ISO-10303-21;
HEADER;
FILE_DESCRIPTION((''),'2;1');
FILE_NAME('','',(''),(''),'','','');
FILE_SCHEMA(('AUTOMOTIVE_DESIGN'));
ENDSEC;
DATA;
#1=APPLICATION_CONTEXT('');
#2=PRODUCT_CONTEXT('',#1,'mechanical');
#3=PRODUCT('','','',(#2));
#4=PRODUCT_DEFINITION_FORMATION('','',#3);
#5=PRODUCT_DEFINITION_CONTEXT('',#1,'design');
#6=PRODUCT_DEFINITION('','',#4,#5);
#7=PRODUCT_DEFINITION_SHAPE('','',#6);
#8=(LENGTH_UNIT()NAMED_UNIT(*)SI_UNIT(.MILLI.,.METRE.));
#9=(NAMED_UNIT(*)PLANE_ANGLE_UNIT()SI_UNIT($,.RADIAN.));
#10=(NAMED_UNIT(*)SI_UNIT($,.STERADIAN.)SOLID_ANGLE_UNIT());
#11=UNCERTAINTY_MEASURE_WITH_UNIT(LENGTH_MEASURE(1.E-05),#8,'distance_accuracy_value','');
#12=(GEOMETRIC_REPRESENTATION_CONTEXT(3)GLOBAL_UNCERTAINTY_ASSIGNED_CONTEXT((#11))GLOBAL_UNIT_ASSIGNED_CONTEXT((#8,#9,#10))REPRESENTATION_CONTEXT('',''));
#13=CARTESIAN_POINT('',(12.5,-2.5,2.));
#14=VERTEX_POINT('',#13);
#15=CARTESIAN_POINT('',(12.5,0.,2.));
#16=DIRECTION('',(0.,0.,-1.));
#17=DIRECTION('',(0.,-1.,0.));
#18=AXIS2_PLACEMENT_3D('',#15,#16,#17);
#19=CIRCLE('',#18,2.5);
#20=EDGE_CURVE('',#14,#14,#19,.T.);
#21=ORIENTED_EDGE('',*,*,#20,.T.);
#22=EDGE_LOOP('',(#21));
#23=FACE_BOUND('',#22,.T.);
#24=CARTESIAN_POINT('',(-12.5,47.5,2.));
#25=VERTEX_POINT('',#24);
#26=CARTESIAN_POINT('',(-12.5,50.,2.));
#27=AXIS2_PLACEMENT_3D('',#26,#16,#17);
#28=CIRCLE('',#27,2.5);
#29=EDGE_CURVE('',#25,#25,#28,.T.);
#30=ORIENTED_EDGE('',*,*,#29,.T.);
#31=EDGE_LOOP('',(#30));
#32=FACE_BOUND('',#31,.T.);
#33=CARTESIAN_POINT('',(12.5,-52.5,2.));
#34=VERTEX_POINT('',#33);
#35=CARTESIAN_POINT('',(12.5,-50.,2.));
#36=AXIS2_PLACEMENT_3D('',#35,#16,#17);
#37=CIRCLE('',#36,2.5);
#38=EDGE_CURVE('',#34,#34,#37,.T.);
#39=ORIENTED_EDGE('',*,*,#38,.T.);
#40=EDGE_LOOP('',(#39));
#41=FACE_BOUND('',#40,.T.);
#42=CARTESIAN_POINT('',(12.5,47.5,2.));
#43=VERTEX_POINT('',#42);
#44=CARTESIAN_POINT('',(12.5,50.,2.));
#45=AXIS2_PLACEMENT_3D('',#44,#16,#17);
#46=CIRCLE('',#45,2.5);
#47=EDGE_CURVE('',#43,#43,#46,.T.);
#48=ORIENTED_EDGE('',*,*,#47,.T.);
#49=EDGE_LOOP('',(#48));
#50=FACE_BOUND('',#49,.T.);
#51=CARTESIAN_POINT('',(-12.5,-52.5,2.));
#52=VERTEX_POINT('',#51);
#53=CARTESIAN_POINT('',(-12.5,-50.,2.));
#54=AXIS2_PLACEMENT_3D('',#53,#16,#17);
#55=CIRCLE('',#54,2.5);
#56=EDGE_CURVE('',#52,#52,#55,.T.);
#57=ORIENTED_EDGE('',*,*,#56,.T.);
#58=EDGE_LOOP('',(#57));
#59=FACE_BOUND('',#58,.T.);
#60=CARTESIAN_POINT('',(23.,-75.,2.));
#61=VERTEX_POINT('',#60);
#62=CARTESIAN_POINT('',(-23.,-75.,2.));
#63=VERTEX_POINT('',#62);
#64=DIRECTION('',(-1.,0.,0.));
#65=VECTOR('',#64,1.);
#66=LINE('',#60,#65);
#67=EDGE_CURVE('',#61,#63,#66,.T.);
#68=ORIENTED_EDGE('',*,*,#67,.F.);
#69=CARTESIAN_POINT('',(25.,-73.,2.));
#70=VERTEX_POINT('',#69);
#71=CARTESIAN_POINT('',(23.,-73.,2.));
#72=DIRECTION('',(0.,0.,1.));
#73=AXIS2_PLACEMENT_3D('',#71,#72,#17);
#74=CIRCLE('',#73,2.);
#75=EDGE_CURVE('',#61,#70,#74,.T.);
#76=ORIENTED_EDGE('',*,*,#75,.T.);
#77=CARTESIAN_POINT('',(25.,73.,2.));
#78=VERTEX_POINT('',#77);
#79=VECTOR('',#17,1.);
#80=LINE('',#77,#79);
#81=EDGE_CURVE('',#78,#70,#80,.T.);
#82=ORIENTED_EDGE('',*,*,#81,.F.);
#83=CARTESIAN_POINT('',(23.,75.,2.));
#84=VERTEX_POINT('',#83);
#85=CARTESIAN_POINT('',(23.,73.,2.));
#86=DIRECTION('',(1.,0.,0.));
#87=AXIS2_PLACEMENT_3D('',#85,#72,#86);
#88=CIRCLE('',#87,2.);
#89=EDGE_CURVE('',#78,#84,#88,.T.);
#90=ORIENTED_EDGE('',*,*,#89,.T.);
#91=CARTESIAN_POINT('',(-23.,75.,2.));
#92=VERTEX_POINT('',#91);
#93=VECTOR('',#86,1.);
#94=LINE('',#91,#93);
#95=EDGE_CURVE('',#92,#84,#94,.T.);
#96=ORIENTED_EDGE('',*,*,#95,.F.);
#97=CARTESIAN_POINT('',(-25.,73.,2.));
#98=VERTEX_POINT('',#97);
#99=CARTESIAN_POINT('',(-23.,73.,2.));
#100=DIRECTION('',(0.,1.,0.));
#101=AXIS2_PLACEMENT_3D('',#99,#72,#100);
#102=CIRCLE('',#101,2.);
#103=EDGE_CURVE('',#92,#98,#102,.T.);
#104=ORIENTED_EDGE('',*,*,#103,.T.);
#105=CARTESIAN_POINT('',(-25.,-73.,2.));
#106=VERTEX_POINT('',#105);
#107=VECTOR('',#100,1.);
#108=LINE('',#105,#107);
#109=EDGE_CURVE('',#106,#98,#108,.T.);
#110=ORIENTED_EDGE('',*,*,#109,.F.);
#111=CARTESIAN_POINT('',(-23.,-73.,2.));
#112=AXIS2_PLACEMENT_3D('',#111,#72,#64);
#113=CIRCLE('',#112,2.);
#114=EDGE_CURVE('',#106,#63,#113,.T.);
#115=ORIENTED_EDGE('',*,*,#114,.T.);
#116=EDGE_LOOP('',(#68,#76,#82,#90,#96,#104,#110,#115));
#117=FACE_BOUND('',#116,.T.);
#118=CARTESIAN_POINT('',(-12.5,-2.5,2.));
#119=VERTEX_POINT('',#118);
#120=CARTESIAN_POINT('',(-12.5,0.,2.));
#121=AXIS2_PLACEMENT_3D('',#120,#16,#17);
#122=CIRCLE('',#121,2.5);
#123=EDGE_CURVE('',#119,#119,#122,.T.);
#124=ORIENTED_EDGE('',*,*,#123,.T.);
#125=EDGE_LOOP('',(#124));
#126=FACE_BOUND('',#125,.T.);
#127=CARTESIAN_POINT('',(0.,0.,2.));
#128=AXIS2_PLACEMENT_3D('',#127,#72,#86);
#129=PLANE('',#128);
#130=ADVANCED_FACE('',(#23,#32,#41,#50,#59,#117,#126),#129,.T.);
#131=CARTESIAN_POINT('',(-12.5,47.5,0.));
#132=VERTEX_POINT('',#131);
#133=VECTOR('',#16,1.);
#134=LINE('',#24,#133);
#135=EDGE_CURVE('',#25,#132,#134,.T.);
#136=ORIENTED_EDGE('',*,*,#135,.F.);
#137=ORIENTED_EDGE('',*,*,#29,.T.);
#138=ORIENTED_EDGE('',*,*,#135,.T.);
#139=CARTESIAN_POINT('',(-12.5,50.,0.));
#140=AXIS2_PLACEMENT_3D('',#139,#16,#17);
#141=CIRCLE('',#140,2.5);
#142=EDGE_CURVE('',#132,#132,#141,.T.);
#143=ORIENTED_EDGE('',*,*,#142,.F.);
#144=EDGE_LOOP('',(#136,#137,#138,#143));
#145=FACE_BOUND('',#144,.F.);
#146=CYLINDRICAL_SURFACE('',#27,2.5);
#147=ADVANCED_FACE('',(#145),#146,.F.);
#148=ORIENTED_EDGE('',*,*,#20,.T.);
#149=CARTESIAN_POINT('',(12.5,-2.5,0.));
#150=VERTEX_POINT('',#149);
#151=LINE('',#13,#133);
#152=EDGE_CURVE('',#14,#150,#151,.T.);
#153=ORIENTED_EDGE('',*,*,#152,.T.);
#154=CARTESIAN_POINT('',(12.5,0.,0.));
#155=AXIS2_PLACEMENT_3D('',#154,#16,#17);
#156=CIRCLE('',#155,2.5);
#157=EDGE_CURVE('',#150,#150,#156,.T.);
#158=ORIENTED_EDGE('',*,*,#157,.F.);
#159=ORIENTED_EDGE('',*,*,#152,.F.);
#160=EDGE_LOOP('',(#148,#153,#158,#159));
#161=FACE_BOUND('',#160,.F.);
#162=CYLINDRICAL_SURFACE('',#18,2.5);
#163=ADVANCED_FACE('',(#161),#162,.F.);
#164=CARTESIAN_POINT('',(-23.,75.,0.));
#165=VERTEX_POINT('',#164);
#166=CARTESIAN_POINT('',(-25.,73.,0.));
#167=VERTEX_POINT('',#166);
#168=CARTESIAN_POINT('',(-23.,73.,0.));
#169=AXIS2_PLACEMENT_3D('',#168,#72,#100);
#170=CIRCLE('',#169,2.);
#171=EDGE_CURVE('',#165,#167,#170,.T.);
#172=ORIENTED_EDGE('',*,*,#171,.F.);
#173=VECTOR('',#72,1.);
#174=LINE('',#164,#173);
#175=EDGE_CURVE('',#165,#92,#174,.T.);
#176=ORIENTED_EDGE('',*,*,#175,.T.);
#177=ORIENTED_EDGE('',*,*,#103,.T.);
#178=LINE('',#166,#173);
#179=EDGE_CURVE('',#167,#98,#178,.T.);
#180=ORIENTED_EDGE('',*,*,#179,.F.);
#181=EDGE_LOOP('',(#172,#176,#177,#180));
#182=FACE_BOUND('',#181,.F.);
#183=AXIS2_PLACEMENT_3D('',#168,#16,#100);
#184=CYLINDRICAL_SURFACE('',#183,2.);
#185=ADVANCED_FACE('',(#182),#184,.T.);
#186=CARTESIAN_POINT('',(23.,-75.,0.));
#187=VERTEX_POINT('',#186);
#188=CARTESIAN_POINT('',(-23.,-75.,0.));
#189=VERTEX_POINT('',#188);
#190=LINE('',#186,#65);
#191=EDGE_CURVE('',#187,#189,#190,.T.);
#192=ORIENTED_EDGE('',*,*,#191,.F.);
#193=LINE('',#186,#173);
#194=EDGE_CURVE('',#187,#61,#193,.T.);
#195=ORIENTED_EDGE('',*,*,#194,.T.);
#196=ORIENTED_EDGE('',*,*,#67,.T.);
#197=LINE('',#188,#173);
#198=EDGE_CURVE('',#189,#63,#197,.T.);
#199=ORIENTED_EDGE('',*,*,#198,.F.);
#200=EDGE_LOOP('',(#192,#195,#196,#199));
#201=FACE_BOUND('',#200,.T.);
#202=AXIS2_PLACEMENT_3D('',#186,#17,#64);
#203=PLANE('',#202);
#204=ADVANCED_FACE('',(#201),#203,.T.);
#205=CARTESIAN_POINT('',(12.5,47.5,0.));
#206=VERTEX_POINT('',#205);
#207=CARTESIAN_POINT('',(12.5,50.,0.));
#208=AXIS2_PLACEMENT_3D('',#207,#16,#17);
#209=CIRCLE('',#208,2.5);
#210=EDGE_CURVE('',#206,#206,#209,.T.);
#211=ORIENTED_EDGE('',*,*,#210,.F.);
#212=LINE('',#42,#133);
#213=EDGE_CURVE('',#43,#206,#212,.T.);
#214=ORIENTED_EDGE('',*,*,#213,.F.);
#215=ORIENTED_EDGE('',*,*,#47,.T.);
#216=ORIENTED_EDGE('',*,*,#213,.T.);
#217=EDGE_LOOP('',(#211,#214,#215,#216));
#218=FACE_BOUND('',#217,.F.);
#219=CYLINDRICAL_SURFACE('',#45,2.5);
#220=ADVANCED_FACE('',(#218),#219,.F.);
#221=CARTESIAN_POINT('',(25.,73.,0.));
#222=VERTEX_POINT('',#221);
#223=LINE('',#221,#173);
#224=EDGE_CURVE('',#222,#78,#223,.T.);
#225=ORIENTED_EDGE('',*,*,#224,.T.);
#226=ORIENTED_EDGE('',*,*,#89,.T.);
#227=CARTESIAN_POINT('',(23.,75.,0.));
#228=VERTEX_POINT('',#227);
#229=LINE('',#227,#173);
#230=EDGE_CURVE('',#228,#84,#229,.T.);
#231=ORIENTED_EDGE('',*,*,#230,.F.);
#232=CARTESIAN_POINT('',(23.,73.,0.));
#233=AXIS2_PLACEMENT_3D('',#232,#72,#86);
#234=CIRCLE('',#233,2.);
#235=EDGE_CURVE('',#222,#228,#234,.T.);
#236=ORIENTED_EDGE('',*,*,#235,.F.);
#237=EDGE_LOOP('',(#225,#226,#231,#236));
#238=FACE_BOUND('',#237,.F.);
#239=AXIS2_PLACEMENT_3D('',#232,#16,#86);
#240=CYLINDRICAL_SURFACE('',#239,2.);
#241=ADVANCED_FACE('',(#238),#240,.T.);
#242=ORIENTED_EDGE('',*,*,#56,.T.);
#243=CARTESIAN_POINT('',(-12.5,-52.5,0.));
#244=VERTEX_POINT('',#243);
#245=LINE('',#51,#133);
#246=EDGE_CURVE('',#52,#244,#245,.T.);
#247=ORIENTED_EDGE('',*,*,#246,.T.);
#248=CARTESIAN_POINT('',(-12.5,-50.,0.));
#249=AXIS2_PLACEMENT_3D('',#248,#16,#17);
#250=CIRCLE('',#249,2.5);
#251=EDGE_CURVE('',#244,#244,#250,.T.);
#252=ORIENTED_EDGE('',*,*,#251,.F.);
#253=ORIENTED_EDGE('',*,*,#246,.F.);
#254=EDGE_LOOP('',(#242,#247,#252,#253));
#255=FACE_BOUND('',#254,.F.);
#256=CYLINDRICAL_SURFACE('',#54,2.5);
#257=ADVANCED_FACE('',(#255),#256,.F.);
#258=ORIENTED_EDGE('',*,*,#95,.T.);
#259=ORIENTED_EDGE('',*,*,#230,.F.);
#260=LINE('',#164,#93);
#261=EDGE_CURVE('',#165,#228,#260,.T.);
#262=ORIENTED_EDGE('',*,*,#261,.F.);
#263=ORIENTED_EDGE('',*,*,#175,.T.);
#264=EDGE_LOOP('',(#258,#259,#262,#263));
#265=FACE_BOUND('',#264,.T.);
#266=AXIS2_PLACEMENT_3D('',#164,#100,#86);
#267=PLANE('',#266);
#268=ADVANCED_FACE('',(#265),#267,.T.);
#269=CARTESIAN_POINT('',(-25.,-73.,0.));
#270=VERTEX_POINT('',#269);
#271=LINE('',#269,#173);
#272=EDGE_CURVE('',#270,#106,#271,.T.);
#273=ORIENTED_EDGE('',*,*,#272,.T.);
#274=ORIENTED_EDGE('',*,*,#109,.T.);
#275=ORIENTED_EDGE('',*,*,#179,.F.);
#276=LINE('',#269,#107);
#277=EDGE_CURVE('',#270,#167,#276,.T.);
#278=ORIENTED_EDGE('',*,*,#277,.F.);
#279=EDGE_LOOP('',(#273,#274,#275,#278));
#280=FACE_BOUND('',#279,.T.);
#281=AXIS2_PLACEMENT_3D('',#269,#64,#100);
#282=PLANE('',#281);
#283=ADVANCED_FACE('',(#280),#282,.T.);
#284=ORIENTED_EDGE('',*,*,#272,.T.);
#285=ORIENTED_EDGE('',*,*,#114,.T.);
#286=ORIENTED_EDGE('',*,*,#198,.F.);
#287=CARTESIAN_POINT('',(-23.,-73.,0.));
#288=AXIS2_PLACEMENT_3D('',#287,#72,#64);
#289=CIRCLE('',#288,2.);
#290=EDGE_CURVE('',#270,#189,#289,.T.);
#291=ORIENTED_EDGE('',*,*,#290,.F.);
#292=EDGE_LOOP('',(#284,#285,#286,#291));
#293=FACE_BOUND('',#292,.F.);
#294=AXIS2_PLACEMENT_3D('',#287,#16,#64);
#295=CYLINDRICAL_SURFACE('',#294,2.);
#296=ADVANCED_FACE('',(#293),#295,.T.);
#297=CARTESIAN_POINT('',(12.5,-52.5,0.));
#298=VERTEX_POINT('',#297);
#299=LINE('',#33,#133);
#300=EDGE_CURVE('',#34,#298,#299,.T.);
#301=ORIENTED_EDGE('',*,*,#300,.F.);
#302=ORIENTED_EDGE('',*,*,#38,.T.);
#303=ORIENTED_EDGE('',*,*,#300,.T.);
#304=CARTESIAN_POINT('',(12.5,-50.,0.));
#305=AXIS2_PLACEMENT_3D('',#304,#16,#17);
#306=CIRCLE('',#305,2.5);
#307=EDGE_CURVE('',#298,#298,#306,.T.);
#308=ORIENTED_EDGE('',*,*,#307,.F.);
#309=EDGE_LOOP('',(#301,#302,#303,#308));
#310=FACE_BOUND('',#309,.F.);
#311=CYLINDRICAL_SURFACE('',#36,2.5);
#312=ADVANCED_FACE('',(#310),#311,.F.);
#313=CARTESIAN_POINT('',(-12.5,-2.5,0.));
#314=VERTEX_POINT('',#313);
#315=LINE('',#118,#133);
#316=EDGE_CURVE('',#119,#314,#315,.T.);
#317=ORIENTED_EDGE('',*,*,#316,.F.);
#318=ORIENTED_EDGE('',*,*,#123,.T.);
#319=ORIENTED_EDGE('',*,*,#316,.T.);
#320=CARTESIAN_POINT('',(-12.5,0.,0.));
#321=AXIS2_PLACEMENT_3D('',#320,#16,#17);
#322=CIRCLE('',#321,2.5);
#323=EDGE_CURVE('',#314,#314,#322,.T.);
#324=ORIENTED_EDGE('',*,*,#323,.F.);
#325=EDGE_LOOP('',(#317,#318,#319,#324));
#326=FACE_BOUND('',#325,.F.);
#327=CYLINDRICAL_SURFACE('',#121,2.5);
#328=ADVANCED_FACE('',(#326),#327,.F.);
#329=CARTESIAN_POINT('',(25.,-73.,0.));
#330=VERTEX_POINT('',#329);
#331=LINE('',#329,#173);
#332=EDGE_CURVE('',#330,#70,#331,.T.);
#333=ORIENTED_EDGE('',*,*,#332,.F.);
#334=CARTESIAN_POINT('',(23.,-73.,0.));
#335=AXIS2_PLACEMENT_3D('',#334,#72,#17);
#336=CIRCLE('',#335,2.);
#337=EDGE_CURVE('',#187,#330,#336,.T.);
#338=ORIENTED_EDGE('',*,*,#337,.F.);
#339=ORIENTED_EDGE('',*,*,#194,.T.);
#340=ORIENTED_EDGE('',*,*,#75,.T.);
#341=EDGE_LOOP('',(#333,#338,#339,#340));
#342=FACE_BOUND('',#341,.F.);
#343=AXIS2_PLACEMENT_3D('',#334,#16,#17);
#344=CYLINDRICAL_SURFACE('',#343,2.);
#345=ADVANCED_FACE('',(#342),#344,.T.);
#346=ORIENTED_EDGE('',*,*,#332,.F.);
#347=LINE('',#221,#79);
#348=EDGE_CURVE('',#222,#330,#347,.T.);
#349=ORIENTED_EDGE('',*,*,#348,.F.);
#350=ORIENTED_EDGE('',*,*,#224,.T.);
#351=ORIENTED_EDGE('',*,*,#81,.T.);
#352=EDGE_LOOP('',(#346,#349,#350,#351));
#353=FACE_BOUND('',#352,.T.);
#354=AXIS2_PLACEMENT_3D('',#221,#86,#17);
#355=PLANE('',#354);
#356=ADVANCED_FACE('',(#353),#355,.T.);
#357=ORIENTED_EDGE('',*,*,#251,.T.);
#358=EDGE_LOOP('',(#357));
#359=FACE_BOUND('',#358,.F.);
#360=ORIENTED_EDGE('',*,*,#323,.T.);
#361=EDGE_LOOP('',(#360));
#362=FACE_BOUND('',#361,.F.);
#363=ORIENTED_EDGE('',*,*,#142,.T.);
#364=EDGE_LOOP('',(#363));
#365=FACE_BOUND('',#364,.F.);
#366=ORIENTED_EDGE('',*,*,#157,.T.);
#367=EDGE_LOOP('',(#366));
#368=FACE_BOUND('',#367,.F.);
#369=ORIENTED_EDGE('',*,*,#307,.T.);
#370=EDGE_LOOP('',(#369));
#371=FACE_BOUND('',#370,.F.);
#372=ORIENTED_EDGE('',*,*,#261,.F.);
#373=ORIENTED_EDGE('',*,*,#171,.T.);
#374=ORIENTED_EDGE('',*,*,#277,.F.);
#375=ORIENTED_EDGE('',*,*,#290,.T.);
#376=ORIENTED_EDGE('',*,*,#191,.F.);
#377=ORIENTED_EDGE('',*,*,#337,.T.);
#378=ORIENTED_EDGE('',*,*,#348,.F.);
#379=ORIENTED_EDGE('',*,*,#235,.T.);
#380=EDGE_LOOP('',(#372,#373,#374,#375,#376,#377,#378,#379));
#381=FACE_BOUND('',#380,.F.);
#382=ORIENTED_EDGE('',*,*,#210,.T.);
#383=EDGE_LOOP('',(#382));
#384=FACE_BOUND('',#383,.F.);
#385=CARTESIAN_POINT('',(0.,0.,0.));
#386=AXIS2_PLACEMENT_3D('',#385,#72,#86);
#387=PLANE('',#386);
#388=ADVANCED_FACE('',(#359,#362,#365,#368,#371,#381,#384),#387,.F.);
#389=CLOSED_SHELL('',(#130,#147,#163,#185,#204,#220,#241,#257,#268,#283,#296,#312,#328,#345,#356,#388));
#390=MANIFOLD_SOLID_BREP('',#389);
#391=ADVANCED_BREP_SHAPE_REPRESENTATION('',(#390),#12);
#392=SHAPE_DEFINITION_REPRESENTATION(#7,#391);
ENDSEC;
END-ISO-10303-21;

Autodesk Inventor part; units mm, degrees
ref_plane "YZ Plane" through (0, 0, 0) normal (1, 0, 0) x (0, 1, 0)
ref_plane "XZ Plane" through (0, 0, 0) normal (0, 1, 0) x (-1, 0, 0)
ref_plane "XY Plane" through (0, 0, 0) normal (0, 0, 1) x (1, 0, 0)
sketch "Sketch1" plane through (0, 0, 0) normal (0, 0, 1) x (1, 0, 0)
  line L0 (-23, 75) -> (23, 75)
  line L1 (25, 73) -> (25, -73)
  line L2 (23, -75) -> (-23, -75)
  line L3 (-25, -73) -> (-25, 73)
  arc A0 (-23, 75) -> (-25, 73) centre (-23, 73) ccw
  arc A1 (25, 73) -> (23, 75) centre (23, 73) ccw
  arc A2 (23, -75) -> (25, -73) centre (23, -73) ccw
  arc A3 (-25, -73) -> (-23, -75) centre (-23, -73) ccw
  point P0 (0, 0)
  point P1 (-25, 75)
  point P2 (25, 75)
  point P3 (-25, -75)
  point P4 (-25, 0)
  dimension "d0" = 50
  dimension "d1" = 150
  dimension "d2" = 25
  dimension "d3" = 75
  dimension "d4" = 2
  dimension "d5" = 2
  dimension "d6" = 2
  dimension "d7" = 2
extrude "Extrusion1" add sketch "Sketch1" along normal blind 2
sketch "Sketch2" plane through (0, 0, 2) normal (0, 0, 1) x (1, 0, 0)
  line L0 (-64, 0) -> (59, 0)
  line L1 (0, 89) -> (0, -64)
  line L2 (-25, 73) -> (-25, -73) projected
  line L3 (23, 75) -> (-23, 75) projected
  point P0 (0, 0)
  point P1 (-12.5, 50)
  point P2 (-12.5, 0)
  point P3 (-12.5, -50)
  point P4 (12.5, 50)
  point P5 (12.5, 0)
  point P6 (12.5, -50)
  dimension "d12" = 50
  dimension "d15" = 25
  dimension "d18" = 12.5
  dimension "d19" = 25
hole "Hole1" at (-12.5, 50, 2) at (-12.5, 0, 2) at (-12.5, -50, 2) at (12.5, 50, 2) at (12.5, 0, 2) at (12.5, -50, 2) direction (0, 0, -1) diameter 5 end through all
properties part number "joint"
